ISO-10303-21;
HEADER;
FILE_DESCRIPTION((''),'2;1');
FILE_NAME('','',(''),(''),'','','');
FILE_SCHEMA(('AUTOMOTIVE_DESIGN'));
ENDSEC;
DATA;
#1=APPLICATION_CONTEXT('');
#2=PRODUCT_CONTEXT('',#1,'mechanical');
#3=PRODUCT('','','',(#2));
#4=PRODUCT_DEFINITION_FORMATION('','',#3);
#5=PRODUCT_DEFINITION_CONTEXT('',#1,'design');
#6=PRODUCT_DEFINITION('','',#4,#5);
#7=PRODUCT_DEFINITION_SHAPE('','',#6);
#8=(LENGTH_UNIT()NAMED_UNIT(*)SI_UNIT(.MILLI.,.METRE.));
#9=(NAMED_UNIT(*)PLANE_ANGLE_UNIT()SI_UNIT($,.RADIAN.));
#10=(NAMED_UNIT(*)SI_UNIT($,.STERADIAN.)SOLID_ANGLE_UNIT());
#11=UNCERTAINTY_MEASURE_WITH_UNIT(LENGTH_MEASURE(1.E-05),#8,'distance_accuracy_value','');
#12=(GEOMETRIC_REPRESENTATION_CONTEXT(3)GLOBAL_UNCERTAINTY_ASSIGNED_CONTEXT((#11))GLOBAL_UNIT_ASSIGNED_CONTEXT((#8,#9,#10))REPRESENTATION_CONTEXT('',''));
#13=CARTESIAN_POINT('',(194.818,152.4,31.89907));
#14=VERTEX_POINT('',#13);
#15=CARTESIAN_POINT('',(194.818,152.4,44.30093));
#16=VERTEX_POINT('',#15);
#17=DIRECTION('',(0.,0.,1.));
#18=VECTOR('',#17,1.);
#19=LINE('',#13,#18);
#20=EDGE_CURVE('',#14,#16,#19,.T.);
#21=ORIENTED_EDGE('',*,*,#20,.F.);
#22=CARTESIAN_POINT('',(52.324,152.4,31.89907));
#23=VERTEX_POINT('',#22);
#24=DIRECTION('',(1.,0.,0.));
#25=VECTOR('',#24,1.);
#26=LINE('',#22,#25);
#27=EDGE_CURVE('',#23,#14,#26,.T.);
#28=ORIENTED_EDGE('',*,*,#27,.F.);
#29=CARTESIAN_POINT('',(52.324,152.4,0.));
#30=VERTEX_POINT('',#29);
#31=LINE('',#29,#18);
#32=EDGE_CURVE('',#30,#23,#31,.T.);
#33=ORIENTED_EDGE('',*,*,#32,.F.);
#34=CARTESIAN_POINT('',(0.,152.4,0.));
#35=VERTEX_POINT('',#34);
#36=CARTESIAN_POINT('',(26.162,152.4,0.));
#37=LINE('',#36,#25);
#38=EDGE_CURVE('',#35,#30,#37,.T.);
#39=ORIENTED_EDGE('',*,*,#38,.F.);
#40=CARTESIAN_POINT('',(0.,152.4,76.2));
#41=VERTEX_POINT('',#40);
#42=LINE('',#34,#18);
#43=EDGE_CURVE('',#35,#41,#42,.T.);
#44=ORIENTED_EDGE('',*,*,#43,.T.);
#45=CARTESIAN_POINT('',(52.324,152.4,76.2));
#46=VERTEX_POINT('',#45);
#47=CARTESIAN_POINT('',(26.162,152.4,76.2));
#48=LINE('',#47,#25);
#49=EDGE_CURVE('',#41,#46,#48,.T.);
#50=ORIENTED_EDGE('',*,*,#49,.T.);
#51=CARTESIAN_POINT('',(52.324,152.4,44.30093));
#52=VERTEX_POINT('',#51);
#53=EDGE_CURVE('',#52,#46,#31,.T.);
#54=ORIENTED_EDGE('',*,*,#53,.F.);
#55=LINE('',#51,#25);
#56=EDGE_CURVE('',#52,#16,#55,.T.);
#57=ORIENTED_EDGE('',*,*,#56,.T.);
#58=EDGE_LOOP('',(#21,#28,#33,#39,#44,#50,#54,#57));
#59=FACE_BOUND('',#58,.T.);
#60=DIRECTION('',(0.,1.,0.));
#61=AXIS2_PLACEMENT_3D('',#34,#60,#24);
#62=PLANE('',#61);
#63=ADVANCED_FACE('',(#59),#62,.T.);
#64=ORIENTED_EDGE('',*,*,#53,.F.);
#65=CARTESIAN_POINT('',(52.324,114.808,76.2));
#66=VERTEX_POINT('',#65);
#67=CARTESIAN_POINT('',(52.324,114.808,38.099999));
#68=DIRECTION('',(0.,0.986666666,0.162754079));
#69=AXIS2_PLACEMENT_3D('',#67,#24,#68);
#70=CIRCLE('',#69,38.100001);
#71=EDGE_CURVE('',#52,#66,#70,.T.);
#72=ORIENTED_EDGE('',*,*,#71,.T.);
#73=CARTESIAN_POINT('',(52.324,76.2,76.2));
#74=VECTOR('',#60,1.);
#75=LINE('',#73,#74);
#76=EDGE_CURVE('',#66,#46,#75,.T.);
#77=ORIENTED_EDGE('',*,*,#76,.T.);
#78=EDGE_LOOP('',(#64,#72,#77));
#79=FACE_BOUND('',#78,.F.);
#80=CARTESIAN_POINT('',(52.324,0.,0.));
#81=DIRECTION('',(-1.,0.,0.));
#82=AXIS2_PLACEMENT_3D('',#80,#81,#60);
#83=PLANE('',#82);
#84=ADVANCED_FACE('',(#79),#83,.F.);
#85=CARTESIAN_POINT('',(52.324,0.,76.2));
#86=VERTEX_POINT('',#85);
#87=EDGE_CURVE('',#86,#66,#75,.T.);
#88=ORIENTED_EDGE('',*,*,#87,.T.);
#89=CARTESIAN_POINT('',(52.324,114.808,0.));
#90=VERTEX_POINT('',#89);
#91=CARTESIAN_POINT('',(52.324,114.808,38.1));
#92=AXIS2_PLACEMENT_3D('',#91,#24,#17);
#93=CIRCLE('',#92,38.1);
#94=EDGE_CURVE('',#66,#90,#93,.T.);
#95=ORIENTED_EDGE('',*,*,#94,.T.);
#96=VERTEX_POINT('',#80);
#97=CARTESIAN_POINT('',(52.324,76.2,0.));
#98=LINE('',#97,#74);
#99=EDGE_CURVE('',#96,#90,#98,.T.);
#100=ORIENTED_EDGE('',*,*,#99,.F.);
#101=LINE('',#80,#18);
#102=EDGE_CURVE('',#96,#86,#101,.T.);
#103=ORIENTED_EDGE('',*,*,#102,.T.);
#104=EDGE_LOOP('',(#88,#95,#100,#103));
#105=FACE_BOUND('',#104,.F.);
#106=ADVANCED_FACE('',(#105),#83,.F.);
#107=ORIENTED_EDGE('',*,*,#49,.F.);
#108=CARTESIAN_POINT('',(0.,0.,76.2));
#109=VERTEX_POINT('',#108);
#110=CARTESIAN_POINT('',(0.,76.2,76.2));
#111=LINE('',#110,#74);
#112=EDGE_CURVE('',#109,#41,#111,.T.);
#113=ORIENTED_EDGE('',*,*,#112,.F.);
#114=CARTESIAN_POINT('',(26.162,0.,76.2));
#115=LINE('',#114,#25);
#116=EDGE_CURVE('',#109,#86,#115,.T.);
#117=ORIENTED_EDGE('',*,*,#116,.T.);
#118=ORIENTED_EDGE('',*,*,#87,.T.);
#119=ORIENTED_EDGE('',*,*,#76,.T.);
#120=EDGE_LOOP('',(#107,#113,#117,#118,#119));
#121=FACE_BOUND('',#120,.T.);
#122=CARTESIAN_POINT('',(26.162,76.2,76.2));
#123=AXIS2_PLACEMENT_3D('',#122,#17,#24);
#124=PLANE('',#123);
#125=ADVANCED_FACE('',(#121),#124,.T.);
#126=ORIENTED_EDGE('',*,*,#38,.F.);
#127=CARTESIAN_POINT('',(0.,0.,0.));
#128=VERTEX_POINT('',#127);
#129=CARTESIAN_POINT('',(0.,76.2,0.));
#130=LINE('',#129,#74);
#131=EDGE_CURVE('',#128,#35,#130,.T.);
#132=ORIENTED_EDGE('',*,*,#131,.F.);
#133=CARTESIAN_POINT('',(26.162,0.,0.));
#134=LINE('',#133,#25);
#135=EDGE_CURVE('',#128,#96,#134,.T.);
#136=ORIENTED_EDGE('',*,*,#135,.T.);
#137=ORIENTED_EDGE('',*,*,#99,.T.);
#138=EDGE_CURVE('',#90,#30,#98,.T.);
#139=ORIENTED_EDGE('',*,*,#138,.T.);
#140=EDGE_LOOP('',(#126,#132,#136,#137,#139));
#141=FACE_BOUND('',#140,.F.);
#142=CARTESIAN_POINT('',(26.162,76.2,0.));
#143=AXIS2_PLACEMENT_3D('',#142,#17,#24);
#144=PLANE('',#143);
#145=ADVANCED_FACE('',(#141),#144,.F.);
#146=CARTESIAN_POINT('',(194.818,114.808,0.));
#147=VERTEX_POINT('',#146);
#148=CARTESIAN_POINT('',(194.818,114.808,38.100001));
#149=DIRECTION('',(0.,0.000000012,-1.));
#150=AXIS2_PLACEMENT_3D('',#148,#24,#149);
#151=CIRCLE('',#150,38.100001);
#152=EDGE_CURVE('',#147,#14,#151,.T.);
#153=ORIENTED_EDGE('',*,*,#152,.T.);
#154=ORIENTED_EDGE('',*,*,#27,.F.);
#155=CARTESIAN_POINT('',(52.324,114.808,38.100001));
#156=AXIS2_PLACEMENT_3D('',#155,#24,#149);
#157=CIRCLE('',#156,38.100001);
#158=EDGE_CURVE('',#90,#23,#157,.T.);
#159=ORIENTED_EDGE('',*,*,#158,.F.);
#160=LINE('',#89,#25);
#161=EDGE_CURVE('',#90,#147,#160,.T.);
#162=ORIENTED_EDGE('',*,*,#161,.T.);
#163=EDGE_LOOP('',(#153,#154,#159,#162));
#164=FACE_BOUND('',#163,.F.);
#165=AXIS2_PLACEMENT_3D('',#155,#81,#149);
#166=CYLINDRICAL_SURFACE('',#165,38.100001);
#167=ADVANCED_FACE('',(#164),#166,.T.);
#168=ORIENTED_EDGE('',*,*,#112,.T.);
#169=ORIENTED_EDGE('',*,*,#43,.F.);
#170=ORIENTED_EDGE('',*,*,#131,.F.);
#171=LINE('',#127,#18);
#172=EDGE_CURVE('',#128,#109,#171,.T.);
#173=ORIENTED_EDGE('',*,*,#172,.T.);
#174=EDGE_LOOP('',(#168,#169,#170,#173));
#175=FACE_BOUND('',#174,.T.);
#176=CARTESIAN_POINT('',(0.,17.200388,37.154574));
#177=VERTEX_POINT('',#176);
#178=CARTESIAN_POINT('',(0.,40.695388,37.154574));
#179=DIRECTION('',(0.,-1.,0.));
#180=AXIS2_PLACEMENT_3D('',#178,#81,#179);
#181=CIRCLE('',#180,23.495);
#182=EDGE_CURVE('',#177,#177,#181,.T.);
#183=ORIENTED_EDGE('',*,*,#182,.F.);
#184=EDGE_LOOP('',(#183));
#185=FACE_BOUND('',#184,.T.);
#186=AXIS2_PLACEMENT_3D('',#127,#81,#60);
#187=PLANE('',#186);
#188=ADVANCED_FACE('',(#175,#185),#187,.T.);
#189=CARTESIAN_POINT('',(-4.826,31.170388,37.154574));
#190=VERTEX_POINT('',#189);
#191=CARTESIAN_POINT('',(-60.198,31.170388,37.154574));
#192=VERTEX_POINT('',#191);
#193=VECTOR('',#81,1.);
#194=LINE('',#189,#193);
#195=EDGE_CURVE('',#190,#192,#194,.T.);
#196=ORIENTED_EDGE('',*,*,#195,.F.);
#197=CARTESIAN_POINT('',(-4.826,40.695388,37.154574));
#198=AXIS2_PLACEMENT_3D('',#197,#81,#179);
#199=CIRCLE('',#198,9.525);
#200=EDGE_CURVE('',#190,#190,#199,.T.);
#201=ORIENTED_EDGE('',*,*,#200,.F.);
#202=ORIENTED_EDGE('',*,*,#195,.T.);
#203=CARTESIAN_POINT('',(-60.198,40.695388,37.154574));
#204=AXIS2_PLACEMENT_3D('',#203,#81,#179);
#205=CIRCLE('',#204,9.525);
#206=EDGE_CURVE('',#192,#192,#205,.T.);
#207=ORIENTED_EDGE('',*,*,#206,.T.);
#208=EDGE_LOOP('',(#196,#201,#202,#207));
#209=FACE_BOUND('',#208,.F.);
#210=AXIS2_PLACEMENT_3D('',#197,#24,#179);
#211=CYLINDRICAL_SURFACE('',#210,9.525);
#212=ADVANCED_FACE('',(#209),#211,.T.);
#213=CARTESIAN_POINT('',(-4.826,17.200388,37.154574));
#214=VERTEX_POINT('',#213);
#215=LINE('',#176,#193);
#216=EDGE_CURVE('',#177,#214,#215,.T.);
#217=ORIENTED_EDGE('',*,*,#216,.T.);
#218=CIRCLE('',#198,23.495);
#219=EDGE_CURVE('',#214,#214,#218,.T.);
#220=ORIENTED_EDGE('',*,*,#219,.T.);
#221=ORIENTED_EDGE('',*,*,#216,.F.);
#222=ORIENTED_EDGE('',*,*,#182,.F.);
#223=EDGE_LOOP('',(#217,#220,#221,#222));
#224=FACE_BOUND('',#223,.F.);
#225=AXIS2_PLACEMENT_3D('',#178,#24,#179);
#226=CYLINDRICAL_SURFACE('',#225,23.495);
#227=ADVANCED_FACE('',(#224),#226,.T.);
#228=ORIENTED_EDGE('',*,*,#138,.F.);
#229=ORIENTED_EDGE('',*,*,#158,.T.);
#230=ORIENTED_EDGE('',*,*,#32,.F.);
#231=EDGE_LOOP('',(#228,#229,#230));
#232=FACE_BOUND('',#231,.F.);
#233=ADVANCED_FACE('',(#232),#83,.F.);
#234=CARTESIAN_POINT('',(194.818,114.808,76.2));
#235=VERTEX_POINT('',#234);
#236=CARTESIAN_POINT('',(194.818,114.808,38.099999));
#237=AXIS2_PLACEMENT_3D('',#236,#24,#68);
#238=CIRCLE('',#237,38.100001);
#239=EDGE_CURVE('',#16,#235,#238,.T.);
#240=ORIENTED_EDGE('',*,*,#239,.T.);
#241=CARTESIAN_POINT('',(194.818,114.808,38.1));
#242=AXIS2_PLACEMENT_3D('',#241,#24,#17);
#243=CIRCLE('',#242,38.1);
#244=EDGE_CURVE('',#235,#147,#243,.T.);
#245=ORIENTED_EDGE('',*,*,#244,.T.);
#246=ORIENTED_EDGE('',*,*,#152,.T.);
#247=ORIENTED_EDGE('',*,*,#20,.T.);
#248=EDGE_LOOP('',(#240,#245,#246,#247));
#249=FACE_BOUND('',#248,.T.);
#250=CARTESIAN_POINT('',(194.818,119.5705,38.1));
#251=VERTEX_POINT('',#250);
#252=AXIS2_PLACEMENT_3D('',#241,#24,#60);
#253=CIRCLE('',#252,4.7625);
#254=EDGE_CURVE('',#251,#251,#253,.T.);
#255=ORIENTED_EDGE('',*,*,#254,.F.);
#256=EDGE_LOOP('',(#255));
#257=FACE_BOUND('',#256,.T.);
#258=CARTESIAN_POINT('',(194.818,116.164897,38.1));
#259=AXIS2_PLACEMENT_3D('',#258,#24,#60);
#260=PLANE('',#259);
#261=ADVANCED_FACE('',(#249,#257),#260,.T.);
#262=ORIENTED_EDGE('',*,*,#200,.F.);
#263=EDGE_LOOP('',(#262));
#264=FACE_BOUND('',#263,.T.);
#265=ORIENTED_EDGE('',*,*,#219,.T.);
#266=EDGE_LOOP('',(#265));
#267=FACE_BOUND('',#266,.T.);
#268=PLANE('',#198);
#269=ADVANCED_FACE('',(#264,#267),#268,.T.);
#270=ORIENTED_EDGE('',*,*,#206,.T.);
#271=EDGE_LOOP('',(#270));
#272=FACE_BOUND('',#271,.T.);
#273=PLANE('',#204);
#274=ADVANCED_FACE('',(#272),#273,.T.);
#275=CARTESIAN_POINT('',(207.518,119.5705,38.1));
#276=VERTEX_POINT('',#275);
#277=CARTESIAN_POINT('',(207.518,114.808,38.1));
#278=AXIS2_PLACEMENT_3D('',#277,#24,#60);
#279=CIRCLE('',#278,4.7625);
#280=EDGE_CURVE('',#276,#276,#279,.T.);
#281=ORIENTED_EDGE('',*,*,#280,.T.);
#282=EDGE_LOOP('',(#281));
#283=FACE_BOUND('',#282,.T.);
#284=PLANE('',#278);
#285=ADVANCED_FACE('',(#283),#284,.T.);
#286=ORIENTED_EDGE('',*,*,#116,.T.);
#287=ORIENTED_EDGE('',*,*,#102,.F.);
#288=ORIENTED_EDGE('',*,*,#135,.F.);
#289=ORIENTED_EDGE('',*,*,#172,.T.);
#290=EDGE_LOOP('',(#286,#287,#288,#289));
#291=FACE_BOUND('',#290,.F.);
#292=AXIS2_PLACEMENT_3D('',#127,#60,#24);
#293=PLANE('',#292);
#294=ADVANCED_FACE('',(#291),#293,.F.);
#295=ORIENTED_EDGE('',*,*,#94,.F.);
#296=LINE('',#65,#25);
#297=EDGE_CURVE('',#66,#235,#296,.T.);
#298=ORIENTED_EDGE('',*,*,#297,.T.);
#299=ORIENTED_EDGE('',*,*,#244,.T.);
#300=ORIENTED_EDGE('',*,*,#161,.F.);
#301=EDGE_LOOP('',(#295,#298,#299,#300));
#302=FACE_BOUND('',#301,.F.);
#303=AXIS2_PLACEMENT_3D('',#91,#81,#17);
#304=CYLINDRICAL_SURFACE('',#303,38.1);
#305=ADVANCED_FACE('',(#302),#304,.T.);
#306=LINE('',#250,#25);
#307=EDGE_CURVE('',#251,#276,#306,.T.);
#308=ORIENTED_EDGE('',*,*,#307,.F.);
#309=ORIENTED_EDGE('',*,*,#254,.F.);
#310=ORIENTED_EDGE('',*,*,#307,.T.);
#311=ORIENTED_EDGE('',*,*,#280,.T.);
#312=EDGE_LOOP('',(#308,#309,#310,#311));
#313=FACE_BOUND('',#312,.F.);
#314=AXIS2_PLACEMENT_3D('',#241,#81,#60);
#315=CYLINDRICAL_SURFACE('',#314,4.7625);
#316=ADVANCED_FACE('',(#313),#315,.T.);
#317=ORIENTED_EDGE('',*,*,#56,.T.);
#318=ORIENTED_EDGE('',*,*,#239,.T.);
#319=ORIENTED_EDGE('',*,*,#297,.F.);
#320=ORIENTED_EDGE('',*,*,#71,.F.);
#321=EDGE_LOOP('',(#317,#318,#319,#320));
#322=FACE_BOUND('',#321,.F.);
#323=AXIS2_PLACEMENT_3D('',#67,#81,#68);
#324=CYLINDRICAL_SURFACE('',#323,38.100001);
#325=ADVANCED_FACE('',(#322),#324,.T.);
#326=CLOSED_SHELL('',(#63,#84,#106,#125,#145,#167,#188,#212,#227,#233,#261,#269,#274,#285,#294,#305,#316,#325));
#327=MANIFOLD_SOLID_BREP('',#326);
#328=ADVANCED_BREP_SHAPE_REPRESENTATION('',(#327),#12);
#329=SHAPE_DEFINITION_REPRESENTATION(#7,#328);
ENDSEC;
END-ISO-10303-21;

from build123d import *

# Parameters (mm, degrees)
F0_W     = 52.324
F0_H     = 152.4
F1_DEPTH = 76.2
F3_DEPTH = 142.494
F4_R     = 23.495
F5_DEPTH = 4.826
F6_R     = 9.525
F7_DEPTH = 55.372
F8_R     = 4.7625
F9_DEPTH = 12.7


with BuildPart() as f1:
    # F0 (on Top) → F1 (new body)
    with BuildSketch(Plane.XY):
        with Locations((26.162, 76.2)):
            Rectangle(F0_W, F0_H)
    extrude(amount=F1_DEPTH)

    # F2 (on face) → F3 (join)
    with BuildSketch(Plane.YZ.offset(52.324)):
        with BuildLine():
            Line((152.4, 31.89907), (152.4, 44.30093))
            ThreePointArc((152.4, 44.30093), (139.459111, 67.15052), (114.808, 76.2))
            ThreePointArc((114.808, 76.2), (76.708, 38.1), (114.808, 0))
            ThreePointArc((114.808, 0), (139.459111, 9.04948), (152.4, 31.89907))
        make_face()
    extrude(amount=F3_DEPTH)

    # F4 (on face) → F5 (join)
    with BuildSketch(Plane(origin=(0, 0, 0), x_dir=(0, -1, 0), z_dir=(-1, 0, 0))):
        with Locations((-40.695388, 37.154574)):
            Circle(F4_R)
    extrude(amount=F5_DEPTH)

    # F6 (on face) → F7 (join)
    with BuildSketch(Plane(origin=(-4.826, 0, 0), x_dir=(0, -1, 0), z_dir=(-1, 0, 0))):
        with Locations((-40.695388, 37.154574)):
            Circle(F6_R)
    extrude(amount=F7_DEPTH)

    # F8 (on face) → F9 (join)
    with BuildSketch(Plane.YZ.offset(194.818)):
        with Locations((114.808, 38.1)):
            Circle(F8_R)
    extrude(amount=F9_DEPTH)


solid = f1.part
